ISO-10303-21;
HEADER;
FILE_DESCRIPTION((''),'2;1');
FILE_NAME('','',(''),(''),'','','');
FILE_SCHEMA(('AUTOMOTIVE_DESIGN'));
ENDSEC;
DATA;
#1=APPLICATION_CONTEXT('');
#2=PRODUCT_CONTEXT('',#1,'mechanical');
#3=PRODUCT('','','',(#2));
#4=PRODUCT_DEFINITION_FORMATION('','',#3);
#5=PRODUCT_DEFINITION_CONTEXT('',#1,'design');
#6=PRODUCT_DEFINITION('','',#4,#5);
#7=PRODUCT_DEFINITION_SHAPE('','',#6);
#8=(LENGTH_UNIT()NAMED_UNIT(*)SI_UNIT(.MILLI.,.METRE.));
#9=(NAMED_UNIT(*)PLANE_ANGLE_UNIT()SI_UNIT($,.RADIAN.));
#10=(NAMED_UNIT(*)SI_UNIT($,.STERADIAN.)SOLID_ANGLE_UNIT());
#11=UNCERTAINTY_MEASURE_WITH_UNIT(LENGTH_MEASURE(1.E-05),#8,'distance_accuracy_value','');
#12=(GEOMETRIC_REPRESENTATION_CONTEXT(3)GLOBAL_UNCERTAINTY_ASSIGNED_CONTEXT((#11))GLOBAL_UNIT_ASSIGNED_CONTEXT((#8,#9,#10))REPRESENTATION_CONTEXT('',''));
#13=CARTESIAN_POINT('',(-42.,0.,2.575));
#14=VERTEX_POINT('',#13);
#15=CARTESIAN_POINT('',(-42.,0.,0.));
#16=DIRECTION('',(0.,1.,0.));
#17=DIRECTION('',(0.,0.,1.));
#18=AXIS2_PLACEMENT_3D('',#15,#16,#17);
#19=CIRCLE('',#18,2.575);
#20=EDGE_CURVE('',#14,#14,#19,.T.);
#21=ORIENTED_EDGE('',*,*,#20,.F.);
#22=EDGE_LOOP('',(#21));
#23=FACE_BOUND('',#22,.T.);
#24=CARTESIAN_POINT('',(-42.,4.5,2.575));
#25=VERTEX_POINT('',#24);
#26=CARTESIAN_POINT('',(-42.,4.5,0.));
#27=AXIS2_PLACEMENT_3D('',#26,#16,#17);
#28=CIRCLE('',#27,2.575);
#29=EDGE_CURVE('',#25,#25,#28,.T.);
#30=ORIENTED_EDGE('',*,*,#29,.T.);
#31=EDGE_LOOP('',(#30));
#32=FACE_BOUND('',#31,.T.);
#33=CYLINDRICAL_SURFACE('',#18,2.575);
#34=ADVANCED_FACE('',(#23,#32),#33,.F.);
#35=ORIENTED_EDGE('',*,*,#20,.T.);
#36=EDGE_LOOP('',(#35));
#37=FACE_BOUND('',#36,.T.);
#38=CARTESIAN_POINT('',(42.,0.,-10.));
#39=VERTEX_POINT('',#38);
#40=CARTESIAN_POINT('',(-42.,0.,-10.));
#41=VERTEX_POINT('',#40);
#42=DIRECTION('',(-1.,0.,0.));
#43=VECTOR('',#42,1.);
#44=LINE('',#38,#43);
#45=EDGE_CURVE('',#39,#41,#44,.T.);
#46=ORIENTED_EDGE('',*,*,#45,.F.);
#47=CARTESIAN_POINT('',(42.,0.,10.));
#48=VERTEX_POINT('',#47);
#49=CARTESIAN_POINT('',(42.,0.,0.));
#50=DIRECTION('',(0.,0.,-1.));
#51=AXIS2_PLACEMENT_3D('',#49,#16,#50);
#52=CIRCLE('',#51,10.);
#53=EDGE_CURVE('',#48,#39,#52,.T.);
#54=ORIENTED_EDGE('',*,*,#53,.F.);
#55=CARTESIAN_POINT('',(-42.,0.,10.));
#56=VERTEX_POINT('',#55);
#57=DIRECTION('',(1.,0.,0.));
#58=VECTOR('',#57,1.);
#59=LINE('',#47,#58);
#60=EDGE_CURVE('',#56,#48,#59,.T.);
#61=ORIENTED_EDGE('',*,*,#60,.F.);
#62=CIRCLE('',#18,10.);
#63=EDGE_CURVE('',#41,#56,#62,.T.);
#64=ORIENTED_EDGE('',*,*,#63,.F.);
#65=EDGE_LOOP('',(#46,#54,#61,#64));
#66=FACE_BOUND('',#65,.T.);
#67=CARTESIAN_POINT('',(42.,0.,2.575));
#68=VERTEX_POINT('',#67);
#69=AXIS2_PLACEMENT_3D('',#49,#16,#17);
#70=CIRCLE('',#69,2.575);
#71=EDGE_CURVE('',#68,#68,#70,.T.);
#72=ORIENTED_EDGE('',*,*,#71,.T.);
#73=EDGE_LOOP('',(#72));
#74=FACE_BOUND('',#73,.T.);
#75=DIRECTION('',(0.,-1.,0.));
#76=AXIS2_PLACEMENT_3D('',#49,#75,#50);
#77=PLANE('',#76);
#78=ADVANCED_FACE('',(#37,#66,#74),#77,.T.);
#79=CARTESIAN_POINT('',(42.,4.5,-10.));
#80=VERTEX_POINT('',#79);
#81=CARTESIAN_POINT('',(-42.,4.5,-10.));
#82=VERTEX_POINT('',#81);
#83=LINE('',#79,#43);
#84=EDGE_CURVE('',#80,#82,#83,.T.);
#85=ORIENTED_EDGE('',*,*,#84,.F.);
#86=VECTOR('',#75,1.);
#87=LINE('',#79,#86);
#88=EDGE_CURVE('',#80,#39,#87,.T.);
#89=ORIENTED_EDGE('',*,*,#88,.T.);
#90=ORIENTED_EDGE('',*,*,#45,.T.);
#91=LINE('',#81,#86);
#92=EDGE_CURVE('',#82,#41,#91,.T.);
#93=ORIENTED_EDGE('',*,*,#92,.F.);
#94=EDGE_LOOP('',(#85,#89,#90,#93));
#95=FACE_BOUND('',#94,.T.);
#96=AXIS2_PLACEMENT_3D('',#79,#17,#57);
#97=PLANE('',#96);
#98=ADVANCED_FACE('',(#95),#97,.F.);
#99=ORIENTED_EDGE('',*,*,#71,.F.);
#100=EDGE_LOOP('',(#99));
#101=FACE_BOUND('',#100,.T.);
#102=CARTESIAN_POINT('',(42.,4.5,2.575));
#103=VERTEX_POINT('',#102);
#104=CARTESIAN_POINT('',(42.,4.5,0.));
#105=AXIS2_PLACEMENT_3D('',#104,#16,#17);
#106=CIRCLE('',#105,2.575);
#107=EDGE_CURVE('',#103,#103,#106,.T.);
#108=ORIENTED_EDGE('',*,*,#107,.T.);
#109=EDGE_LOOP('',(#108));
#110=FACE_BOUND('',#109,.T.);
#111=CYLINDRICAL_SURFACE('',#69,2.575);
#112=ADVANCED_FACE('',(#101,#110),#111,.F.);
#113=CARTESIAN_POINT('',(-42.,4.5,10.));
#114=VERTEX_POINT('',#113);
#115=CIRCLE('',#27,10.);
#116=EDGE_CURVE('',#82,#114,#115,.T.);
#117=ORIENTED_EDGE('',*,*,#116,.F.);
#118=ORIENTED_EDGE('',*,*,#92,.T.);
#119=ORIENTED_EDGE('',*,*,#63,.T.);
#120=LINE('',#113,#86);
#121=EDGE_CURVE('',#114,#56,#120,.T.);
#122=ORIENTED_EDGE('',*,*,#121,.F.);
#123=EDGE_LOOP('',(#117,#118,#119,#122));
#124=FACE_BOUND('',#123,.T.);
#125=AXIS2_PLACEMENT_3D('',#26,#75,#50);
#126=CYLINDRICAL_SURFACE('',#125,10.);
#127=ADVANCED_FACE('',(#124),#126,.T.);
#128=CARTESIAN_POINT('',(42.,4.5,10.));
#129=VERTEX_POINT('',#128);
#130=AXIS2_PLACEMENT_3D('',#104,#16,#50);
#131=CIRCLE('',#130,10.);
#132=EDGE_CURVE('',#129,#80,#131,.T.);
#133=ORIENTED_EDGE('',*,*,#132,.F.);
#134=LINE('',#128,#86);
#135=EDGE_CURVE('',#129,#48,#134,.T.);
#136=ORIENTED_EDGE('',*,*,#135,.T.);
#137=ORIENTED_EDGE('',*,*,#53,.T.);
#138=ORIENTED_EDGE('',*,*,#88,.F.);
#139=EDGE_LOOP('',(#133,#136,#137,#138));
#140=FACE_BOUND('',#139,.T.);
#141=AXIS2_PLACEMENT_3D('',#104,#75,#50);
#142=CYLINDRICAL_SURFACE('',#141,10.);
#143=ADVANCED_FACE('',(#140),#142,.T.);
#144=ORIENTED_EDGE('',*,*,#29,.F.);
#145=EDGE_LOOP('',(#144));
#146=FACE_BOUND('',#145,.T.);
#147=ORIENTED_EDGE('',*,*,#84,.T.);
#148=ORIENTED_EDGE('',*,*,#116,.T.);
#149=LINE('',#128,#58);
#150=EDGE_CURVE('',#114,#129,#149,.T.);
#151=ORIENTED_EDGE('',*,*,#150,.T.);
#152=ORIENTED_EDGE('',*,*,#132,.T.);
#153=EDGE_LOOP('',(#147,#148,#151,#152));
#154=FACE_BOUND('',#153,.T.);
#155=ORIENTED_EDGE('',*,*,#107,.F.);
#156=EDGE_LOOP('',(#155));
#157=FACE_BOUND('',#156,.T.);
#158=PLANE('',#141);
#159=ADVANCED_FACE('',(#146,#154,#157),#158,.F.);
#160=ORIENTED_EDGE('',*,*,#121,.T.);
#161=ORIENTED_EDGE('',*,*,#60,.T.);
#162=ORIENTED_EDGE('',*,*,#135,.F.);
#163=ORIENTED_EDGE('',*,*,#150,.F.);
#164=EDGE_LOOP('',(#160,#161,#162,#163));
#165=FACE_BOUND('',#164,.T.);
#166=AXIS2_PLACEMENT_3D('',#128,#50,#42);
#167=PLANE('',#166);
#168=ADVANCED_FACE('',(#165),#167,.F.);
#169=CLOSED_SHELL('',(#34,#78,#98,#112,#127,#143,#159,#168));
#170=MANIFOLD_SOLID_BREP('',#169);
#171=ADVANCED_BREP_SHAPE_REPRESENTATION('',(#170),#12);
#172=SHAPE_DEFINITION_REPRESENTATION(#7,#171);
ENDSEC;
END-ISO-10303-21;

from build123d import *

# Parameters (mm, degrees)
BOSS_EXTRUDE1_DEPTH  = 4.5
SKETCH3_R            = 2.575
F_5_15MM_HOLES_DEPTH = 54.143673189


with BuildPart() as part:
    # Sketch2 → Boss-Extrude1 (new body)
    with BuildSketch(Plane(origin=(0, 0, 0), x_dir=(1, 0, 0), z_dir=(0, 1, 0))):
        with BuildLine():
            Line((42, 10), (-42, 10))
            ThreePointArc((-42, 10), (-52, 0), (-42, -10))
            Line((-42, -10), (42, -10))
            ThreePointArc((42, -10), (52, 0), (42, 10))
        make_face()
    extrude(amount=BOSS_EXTRUDE1_DEPTH)

    # Sketch3 → 5.15mm holes (cut, through all)
    with BuildSketch(Plane(origin=(0, 4.5, 0), x_dir=(1, 0, 0), z_dir=(0, 1, 0))):
        with Locations(Location((42, 0, 0), (0, 0, 270))):
            Circle(SKETCH3_R)
        with Locations(Location((-42, 0, 0), (0, 0, 270))):
            Circle(SKETCH3_R)
    extrude(amount=-F_5_15MM_HOLES_DEPTH, mode=Mode.SUBTRACT)


solid = part.part
